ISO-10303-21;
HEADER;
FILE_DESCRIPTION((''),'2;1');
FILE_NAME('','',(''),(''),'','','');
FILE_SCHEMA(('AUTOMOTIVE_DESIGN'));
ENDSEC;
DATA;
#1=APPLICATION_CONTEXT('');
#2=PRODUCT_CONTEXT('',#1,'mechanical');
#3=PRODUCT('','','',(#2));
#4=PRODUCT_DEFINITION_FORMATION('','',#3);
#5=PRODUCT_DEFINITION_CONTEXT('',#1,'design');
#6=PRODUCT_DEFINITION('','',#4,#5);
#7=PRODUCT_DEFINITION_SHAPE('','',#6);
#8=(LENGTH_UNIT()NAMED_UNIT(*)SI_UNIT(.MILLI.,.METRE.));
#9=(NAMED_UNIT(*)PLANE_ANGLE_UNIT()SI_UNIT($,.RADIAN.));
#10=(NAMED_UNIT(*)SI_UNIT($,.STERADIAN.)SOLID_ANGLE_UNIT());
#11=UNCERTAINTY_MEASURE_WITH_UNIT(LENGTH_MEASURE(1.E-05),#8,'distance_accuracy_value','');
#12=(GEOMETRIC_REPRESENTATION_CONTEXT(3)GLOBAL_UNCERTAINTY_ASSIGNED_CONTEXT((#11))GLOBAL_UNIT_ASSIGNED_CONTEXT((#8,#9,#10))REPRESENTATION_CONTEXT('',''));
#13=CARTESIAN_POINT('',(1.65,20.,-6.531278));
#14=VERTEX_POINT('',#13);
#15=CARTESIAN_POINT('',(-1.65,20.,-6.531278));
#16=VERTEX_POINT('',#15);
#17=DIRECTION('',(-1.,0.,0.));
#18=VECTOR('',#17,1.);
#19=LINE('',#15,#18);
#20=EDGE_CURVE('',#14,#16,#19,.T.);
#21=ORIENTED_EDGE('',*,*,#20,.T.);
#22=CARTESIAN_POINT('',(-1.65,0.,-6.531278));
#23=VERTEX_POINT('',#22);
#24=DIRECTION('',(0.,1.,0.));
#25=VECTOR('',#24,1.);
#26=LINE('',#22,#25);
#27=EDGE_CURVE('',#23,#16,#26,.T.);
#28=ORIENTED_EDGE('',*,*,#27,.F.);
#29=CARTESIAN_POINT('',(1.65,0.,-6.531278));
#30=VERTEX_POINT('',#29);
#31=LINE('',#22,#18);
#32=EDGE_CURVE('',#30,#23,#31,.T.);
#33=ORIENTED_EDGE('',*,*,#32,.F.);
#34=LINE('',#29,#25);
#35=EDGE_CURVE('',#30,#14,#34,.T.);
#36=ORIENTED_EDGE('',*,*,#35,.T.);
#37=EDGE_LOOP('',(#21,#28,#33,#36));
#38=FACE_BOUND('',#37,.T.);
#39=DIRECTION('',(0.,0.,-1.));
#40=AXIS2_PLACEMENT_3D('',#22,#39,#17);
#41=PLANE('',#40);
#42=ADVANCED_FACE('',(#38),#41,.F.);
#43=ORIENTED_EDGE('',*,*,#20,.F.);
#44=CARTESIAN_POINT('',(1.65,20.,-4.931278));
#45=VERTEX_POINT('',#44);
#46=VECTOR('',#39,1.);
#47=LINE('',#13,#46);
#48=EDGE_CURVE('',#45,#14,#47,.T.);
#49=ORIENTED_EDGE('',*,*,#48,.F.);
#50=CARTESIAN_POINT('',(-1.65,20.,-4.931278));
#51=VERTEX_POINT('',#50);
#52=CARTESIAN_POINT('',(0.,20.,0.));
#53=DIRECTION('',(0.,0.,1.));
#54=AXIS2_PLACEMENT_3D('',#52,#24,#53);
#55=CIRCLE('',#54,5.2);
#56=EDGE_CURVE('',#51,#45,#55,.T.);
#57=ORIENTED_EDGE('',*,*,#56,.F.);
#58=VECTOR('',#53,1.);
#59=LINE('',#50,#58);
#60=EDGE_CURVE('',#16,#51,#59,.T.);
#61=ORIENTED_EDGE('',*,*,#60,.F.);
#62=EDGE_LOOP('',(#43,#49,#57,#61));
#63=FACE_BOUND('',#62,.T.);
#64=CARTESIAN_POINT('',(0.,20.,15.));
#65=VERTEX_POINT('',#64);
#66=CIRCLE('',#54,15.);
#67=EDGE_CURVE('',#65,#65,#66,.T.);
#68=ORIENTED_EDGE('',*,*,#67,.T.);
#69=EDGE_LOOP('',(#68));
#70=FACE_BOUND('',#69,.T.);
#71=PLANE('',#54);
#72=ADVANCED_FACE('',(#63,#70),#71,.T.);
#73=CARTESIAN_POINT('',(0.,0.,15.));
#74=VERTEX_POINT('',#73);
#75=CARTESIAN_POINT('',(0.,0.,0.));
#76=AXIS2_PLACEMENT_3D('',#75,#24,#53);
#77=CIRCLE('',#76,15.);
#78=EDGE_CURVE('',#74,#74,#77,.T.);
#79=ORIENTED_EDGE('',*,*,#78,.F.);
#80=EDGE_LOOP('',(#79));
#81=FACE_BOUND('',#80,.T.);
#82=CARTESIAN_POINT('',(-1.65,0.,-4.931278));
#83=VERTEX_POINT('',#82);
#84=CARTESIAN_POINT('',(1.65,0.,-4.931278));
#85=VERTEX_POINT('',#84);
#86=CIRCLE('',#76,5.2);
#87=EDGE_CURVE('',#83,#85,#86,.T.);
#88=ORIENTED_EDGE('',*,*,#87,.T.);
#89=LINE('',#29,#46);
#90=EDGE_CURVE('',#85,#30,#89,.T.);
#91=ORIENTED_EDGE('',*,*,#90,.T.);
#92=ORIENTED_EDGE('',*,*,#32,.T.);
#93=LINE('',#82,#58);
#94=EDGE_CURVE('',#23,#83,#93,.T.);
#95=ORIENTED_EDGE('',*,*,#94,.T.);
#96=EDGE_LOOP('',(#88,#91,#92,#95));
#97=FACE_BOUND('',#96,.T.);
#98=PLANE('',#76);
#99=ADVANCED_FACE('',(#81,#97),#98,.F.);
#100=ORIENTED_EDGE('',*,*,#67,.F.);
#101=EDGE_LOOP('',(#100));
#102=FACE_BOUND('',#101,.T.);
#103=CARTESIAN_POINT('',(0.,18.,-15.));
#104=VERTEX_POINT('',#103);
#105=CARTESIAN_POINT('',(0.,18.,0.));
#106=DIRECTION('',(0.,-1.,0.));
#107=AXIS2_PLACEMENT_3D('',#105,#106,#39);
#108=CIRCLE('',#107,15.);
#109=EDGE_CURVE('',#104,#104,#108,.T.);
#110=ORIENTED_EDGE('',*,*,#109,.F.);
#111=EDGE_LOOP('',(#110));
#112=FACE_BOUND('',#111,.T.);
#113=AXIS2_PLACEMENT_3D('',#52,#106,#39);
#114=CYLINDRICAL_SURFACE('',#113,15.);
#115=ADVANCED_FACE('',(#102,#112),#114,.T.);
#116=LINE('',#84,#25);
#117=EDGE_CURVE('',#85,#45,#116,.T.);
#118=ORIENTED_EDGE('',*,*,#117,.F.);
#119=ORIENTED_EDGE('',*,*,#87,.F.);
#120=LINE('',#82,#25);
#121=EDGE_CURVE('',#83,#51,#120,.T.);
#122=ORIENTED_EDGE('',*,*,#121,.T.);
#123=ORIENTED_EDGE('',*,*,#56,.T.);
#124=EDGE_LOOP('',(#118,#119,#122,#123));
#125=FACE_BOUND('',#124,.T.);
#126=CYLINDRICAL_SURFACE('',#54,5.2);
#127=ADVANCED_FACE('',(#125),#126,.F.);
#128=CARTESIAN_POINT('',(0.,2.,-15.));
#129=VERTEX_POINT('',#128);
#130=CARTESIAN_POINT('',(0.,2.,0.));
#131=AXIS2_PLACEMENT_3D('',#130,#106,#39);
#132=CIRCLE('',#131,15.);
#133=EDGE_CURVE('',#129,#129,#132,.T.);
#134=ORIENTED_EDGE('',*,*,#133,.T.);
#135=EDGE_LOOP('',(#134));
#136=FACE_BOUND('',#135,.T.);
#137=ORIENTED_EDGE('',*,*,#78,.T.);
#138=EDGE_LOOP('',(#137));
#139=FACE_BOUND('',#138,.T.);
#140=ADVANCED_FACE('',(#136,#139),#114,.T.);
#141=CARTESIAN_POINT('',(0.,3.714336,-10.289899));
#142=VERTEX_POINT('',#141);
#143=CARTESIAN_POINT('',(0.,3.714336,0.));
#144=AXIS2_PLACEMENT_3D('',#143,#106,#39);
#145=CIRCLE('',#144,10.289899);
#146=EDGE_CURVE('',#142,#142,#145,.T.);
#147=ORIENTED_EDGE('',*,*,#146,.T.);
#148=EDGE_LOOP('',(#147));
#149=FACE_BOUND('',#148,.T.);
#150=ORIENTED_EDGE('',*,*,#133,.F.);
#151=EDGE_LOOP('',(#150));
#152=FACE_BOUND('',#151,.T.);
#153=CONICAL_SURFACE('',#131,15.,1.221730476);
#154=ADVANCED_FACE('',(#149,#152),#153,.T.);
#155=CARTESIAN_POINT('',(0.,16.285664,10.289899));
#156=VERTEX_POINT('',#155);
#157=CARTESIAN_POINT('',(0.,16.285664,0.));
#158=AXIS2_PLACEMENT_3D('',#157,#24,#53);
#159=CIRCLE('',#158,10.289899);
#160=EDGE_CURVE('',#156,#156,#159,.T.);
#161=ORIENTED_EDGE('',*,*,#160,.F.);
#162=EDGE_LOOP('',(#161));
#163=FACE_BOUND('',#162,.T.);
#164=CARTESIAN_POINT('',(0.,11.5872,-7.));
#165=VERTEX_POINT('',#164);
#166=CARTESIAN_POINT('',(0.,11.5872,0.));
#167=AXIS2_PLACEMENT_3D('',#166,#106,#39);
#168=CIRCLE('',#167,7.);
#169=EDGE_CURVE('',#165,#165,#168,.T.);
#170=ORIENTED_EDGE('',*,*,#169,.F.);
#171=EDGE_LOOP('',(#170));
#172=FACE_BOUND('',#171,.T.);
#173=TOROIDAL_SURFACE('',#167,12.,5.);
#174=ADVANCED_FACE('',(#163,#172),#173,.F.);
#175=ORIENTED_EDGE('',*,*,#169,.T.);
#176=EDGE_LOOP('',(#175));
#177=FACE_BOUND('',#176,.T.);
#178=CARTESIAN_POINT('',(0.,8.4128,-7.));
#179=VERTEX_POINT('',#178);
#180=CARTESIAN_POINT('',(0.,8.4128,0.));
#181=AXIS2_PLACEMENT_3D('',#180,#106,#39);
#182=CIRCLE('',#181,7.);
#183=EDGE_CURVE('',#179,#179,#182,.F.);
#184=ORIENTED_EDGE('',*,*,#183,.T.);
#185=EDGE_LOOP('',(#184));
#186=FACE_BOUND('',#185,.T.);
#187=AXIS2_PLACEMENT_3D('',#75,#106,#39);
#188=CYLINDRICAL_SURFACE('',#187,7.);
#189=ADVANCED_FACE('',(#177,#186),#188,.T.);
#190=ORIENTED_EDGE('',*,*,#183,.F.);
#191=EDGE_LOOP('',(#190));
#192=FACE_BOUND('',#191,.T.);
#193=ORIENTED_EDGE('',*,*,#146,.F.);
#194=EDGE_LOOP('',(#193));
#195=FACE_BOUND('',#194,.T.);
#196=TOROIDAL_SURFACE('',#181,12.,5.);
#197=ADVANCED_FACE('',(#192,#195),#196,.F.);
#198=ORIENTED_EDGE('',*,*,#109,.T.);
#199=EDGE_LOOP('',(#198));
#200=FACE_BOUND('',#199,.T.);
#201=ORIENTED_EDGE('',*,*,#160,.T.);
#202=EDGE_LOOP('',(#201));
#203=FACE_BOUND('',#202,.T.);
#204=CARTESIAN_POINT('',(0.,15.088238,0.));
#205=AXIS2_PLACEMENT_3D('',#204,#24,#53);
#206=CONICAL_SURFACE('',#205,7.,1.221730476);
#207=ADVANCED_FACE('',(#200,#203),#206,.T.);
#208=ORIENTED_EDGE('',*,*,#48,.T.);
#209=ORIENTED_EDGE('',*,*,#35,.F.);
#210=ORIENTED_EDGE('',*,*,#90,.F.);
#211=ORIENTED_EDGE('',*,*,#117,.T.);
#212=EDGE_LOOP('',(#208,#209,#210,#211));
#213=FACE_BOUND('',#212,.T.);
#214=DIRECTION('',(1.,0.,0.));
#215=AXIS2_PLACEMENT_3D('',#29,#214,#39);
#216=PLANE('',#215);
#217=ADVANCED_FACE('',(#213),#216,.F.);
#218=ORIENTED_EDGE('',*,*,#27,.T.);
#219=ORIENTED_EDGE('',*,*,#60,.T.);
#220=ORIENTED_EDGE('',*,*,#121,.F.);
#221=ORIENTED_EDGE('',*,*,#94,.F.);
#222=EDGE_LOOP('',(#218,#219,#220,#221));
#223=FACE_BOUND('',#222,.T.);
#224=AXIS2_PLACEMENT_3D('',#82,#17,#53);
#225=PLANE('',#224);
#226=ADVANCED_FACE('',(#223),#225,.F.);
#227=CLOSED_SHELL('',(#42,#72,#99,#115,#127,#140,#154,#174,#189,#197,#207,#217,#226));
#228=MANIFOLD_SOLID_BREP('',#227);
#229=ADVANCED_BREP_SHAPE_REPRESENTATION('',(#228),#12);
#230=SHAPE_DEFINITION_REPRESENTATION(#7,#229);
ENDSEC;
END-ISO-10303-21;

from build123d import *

# Parameters (mm, degrees)
ESBO_O2_R                = 15
RESSALTO_EXTRUS_O1_DEPTH = 20
FUROS_GUIA_COM_10_0MM1_D = 10.4
CORTE_EXTRUS_O1_DEPTH    = 30.154759474
FILETE1_R                = 5


with BuildPart() as part:
    # Esboço2 → Ressalto-extrusão1 (new body)
    with BuildSketch(Plane(origin=(0, 0, 0), x_dir=(1, 0, 0), z_dir=(0, 1, 0))):
        with Locations(Location((0, 0, 0), (0, 0, 270))):
            Circle(ESBO_O2_R)
    extrude(amount=RESSALTO_EXTRUS_O1_DEPTH)

    # Furos-guia com Ø10.0mm1 (through all)
    with Locations(Plane(origin=(0, 20, 0), x_dir=(1, 0, 0), z_dir=(0, 1, 0))):
        with Locations((0, 0)):
            Hole(FUROS_GUIA_COM_10_0MM1_D / 2)

    # Esboço6 → Corte-extrusão1 (cut, through all)
    with BuildSketch(Plane(origin=(0, 20, 0), x_dir=(1, 0, 0), z_dir=(0, 1, 0))):
        with BuildLine():
            Line((-1.65, 4.931277725), (-1.65, 6.531277725))
            Line((-1.65, 6.531277725), (1.65, 6.531277725))
            Line((1.65, 6.531277725), (1.65, 4.931277725))
            ThreePointArc((1.65, 4.931277725), (0, 5.189536775), (-1.65, 4.931277725))
        make_face()
    extrude(amount=-CORTE_EXTRUS_O1_DEPTH, mode=Mode.SUBTRACT)

    # Esboço7 → Corte-Revolução1 (revolve, cut)
    with BuildSketch(Plane.XY, mode=Mode.PRIVATE) as corte_revolu_o1_sk:
        Polygon((-15, 18), (-15, 2), (-7, 4.911761874), (-7, 15.088238126), align=None)
    revolve(corte_revolu_o1_sk.sketch.rotate(Axis((0, 0, 0), (0, 1, 0)), 270), axis=Axis((0, 0, 0), (0, 1, 0)), mode=Mode.SUBTRACT)

    # Filete1
    filete1_edges = [part.edges().sort_by_distance(p)[0] for p in [
        (0, 15.088238126, 7),
        (0, 4.911761874, 7),
    ]]
    fillet(filete1_edges, radius=FILETE1_R)


solid = part.part
